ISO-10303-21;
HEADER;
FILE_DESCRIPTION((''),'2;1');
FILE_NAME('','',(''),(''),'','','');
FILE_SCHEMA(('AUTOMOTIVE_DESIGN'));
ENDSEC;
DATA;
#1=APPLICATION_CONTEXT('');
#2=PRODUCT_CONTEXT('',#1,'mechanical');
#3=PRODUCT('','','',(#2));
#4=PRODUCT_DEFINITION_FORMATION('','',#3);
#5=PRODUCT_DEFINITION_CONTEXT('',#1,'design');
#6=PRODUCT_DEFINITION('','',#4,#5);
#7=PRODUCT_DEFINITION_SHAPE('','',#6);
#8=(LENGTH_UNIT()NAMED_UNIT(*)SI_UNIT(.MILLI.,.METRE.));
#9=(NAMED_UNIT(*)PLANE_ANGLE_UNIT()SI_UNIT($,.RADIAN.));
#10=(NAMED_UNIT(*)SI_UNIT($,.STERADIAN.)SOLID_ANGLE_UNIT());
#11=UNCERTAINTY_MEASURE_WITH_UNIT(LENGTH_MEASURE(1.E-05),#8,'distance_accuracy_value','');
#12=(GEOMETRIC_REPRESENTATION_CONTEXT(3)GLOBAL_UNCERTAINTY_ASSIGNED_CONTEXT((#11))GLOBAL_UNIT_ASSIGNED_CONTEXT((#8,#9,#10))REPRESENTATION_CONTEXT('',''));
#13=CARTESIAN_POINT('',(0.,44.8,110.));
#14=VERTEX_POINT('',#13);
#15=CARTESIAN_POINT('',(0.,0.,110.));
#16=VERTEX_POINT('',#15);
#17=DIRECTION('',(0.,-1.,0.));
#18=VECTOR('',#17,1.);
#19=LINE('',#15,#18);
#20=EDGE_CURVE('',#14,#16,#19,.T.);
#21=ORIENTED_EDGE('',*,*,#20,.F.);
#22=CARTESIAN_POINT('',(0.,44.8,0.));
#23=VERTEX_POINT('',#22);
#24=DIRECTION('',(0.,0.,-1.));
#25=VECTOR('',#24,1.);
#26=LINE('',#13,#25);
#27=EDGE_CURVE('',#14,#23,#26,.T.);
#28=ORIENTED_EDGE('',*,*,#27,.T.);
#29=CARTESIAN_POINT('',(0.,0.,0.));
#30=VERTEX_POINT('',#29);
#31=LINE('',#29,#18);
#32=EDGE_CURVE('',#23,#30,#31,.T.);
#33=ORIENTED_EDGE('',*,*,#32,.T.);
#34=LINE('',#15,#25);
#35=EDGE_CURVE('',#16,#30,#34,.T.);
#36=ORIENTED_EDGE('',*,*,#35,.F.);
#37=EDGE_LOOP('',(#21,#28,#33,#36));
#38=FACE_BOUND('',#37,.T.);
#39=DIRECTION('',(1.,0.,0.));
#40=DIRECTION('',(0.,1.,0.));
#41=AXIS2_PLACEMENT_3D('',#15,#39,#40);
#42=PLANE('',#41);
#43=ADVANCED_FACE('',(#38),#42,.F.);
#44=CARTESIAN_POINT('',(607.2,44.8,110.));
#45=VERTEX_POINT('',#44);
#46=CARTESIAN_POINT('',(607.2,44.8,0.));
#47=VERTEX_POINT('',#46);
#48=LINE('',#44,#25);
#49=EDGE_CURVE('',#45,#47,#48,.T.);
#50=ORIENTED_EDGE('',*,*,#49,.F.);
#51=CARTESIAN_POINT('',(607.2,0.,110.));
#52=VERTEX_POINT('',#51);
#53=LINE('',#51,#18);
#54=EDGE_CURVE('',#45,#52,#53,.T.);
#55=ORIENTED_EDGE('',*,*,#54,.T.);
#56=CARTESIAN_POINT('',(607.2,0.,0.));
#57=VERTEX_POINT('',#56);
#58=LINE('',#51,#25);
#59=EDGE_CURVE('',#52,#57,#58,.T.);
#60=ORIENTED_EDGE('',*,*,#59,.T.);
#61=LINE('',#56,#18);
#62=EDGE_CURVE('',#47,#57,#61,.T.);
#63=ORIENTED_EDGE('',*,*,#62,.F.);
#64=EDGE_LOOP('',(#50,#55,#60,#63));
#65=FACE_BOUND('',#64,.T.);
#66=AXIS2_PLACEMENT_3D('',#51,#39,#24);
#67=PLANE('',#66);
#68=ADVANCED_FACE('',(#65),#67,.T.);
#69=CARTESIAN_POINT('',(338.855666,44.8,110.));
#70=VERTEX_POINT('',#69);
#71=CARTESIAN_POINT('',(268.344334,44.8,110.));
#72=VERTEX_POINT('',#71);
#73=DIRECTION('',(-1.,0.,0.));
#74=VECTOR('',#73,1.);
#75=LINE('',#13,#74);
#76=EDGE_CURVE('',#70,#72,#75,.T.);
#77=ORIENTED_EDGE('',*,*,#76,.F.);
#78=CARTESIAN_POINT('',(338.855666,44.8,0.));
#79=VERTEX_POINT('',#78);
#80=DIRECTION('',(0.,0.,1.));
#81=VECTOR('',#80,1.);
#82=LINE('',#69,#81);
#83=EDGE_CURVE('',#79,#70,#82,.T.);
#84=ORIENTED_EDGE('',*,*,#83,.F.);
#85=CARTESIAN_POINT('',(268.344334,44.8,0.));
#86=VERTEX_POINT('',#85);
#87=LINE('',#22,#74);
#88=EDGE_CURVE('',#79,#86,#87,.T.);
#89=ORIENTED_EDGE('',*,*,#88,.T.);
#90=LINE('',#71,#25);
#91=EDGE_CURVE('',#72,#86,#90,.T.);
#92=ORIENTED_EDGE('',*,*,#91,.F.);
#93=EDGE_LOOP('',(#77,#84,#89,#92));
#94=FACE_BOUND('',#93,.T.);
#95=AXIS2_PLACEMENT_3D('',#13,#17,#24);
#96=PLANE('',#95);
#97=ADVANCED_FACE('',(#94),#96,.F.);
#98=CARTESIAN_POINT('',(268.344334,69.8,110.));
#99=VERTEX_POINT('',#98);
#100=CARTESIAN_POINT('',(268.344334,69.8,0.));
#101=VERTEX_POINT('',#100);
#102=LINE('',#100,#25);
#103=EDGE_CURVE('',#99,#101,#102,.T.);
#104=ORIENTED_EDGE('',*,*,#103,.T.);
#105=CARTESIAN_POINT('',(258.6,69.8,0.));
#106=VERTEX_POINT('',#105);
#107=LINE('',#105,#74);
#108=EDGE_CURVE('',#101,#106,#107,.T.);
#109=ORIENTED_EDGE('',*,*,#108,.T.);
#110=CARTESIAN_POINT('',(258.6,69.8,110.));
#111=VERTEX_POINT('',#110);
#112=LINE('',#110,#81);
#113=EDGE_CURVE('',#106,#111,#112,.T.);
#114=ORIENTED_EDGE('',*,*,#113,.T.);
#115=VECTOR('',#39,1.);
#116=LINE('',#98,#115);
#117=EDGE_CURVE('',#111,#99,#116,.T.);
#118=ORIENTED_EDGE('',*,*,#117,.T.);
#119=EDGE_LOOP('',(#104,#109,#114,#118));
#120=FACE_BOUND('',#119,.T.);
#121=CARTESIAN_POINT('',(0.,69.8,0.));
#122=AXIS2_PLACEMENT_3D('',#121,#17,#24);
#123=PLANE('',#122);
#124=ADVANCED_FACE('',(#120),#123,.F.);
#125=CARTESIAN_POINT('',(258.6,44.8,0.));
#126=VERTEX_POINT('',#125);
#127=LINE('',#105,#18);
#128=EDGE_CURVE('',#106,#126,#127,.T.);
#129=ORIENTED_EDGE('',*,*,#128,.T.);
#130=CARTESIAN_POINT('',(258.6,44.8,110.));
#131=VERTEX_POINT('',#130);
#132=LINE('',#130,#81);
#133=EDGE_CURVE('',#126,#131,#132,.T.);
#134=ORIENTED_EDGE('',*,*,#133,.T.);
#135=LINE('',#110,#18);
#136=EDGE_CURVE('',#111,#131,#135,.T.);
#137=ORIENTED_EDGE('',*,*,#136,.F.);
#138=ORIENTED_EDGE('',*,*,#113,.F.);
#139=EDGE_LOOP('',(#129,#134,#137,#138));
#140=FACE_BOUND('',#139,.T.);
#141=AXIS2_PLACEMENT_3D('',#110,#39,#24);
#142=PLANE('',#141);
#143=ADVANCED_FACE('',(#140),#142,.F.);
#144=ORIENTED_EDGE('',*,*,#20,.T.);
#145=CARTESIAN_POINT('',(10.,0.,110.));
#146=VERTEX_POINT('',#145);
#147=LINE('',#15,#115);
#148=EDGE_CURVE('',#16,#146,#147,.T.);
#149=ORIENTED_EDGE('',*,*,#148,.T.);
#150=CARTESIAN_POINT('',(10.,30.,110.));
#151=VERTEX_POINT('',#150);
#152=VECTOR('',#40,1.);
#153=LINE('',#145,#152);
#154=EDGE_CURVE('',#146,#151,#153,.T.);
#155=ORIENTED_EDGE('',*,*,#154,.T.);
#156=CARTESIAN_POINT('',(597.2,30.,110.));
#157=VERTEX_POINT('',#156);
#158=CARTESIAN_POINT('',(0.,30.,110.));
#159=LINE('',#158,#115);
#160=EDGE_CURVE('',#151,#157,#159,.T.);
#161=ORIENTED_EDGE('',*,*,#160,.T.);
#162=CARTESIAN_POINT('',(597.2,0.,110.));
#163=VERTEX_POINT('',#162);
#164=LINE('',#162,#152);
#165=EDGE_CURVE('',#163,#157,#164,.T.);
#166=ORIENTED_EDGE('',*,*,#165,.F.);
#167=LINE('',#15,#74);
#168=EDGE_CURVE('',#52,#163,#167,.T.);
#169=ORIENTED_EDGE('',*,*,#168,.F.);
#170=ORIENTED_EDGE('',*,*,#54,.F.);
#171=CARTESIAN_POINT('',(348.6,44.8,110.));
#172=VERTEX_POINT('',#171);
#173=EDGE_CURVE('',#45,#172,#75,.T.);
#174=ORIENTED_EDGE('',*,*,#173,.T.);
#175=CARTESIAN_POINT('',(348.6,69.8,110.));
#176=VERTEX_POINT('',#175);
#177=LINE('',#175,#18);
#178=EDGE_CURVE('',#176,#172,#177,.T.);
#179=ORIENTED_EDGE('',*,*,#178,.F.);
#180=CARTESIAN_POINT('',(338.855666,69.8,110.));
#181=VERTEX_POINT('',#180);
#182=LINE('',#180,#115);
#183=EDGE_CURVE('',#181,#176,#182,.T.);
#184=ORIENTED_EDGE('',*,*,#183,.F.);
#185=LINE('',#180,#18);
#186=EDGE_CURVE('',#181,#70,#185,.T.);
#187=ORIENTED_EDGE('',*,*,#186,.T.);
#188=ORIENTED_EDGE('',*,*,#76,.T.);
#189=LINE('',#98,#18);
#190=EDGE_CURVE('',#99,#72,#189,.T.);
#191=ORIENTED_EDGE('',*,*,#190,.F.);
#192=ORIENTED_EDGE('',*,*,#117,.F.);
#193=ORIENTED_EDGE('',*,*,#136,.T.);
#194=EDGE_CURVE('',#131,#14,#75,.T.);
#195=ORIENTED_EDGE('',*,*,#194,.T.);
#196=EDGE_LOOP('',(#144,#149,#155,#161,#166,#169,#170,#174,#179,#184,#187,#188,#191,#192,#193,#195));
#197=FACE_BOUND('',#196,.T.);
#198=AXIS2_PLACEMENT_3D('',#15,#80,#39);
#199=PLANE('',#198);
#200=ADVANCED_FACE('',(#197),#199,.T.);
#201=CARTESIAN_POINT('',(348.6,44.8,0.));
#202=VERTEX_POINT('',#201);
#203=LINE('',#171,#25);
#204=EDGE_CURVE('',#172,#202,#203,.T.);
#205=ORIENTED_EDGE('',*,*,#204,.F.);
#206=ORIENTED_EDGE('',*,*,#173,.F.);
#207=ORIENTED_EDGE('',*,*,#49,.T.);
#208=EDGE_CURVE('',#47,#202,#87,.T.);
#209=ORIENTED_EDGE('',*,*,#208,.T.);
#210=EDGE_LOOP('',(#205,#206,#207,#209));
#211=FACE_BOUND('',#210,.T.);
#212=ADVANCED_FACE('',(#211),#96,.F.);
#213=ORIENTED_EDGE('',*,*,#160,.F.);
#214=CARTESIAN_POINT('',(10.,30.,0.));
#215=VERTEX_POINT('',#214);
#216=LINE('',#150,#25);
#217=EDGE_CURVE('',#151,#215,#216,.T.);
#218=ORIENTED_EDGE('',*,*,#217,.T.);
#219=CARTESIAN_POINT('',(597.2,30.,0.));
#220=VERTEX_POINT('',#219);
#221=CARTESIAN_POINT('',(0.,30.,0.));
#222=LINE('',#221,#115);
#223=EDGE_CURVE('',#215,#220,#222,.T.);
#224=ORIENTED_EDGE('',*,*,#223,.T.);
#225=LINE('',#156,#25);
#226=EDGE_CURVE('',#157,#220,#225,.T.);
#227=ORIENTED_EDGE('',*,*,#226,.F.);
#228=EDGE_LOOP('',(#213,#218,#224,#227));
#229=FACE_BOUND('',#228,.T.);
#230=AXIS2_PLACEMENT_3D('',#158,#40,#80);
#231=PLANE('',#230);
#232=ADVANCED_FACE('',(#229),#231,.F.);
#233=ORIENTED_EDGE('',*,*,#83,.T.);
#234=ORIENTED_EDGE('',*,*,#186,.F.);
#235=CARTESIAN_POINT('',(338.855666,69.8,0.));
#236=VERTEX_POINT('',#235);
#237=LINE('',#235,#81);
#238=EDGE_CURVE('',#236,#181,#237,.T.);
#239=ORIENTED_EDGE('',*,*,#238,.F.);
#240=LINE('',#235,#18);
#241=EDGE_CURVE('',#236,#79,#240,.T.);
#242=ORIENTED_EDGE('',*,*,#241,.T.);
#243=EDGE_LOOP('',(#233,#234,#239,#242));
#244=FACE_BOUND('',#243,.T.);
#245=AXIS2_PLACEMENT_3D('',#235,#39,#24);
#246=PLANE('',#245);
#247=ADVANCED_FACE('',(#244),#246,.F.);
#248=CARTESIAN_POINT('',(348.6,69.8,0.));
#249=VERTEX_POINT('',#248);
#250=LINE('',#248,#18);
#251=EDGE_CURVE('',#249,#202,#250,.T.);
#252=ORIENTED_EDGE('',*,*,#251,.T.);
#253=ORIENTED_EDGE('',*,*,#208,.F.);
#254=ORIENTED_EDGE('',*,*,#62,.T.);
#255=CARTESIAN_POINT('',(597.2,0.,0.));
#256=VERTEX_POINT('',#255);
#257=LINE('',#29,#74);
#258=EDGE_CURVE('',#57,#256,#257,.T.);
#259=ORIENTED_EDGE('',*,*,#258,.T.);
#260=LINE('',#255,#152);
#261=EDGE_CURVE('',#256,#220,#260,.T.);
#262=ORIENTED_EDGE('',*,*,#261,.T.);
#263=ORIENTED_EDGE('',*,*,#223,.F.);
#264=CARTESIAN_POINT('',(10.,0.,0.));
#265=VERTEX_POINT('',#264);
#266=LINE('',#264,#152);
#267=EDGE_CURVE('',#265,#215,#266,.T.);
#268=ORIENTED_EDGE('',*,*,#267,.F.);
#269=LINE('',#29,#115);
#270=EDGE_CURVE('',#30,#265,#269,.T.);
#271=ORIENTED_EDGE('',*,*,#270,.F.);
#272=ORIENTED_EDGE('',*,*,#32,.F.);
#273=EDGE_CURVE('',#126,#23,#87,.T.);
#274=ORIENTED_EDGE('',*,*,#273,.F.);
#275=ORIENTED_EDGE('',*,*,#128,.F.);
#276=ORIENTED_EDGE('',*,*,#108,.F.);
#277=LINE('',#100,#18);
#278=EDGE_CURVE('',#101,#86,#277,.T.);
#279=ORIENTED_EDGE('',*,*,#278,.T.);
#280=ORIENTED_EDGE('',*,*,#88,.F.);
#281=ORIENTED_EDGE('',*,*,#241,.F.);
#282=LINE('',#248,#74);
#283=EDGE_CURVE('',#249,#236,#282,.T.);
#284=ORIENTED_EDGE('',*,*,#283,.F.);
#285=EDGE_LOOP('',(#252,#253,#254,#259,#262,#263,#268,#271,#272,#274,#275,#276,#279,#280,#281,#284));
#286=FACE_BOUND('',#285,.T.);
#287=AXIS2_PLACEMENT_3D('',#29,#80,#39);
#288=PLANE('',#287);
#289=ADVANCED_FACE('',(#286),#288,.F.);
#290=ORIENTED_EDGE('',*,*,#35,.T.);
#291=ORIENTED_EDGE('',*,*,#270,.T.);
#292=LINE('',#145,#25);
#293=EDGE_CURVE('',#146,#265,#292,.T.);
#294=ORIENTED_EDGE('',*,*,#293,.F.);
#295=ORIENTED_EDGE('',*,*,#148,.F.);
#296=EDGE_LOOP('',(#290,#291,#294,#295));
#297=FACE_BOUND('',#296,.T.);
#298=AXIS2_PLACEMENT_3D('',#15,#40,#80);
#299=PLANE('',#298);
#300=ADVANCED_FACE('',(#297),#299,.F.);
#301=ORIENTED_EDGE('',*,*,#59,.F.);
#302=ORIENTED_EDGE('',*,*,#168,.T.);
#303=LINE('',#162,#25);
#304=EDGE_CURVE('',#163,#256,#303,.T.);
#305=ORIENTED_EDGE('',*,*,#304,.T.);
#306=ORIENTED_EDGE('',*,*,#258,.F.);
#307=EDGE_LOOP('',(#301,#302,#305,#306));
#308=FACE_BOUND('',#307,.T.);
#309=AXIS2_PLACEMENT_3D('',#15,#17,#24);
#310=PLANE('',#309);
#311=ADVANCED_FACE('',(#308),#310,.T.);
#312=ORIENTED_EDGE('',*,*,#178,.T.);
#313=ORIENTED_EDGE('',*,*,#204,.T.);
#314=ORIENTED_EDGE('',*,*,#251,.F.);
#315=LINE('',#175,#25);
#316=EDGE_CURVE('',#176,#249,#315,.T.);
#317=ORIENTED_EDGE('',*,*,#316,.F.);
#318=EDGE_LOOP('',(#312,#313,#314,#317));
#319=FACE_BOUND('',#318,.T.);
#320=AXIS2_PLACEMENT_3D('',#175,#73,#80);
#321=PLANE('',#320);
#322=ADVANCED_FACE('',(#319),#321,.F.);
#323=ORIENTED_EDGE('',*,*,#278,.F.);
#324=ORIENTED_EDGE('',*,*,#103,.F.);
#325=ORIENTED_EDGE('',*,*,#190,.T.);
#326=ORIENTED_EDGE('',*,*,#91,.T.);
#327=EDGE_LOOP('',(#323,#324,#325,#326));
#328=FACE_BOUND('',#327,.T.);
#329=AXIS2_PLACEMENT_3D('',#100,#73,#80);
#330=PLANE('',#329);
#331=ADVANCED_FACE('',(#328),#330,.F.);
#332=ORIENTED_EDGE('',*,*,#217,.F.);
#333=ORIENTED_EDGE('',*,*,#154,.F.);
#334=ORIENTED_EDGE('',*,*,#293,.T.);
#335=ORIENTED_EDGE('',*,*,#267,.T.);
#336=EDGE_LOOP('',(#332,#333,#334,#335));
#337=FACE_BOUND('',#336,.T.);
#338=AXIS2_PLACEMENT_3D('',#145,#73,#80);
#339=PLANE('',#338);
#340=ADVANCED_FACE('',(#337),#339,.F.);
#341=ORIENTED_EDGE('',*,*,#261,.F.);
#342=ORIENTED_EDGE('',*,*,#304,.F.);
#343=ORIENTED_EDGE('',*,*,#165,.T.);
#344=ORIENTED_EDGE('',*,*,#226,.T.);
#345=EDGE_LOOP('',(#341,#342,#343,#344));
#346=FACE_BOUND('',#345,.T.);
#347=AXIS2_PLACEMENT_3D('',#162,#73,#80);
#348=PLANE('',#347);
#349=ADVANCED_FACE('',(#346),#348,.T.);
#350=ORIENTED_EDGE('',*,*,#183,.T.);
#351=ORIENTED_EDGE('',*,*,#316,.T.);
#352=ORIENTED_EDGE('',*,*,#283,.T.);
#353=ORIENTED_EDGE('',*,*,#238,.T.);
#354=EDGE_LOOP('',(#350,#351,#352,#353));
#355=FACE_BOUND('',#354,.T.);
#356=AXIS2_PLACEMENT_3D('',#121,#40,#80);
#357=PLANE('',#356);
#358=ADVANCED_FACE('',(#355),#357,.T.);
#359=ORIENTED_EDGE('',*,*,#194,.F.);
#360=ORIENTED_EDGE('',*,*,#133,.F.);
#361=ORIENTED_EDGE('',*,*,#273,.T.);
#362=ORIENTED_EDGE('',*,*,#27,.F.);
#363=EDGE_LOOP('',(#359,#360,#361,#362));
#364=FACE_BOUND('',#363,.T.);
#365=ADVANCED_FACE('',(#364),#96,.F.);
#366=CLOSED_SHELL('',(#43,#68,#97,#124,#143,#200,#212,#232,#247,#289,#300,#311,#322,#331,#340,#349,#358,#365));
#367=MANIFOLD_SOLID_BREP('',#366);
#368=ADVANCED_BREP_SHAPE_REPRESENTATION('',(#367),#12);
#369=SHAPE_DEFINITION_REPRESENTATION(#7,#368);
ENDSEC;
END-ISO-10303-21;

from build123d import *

# Parameters (mm, degrees)
BOSS_EXTRUDE2_DEPTH = 110
SKETCH3_W           = 9.744334313
SKETCH3_H           = 110
BOSS_EXTRUDE3_DEPTH = 30.2


with BuildPart() as part:
    # Sketch1 → Boss-Extrude2 (new body)
    with BuildSketch(Plane.XY):
        Polygon((0, 0), (10, 0), (10, 30), (597.2, 30), (597.2, 0), (607.2, 0), (607.2, 44.8), (0, 44.8), align=None)
    extrude(amount=BOSS_EXTRUDE2_DEPTH)

    # Sketch3 → Boss-Extrude3 (add)
    with BuildSketch(Plane(origin=(0, 39.6, 0), x_dir=(1, 0, 0), z_dir=(0, 1, 0))):
        with Locations((343.727832843, -55)):
            Rectangle(SKETCH3_W, SKETCH3_H)
        with Locations((263.472167157, -55)):
            Rectangle(SKETCH3_W, SKETCH3_H)
    extrude(amount=BOSS_EXTRUDE3_DEPTH)


solid = part.part
